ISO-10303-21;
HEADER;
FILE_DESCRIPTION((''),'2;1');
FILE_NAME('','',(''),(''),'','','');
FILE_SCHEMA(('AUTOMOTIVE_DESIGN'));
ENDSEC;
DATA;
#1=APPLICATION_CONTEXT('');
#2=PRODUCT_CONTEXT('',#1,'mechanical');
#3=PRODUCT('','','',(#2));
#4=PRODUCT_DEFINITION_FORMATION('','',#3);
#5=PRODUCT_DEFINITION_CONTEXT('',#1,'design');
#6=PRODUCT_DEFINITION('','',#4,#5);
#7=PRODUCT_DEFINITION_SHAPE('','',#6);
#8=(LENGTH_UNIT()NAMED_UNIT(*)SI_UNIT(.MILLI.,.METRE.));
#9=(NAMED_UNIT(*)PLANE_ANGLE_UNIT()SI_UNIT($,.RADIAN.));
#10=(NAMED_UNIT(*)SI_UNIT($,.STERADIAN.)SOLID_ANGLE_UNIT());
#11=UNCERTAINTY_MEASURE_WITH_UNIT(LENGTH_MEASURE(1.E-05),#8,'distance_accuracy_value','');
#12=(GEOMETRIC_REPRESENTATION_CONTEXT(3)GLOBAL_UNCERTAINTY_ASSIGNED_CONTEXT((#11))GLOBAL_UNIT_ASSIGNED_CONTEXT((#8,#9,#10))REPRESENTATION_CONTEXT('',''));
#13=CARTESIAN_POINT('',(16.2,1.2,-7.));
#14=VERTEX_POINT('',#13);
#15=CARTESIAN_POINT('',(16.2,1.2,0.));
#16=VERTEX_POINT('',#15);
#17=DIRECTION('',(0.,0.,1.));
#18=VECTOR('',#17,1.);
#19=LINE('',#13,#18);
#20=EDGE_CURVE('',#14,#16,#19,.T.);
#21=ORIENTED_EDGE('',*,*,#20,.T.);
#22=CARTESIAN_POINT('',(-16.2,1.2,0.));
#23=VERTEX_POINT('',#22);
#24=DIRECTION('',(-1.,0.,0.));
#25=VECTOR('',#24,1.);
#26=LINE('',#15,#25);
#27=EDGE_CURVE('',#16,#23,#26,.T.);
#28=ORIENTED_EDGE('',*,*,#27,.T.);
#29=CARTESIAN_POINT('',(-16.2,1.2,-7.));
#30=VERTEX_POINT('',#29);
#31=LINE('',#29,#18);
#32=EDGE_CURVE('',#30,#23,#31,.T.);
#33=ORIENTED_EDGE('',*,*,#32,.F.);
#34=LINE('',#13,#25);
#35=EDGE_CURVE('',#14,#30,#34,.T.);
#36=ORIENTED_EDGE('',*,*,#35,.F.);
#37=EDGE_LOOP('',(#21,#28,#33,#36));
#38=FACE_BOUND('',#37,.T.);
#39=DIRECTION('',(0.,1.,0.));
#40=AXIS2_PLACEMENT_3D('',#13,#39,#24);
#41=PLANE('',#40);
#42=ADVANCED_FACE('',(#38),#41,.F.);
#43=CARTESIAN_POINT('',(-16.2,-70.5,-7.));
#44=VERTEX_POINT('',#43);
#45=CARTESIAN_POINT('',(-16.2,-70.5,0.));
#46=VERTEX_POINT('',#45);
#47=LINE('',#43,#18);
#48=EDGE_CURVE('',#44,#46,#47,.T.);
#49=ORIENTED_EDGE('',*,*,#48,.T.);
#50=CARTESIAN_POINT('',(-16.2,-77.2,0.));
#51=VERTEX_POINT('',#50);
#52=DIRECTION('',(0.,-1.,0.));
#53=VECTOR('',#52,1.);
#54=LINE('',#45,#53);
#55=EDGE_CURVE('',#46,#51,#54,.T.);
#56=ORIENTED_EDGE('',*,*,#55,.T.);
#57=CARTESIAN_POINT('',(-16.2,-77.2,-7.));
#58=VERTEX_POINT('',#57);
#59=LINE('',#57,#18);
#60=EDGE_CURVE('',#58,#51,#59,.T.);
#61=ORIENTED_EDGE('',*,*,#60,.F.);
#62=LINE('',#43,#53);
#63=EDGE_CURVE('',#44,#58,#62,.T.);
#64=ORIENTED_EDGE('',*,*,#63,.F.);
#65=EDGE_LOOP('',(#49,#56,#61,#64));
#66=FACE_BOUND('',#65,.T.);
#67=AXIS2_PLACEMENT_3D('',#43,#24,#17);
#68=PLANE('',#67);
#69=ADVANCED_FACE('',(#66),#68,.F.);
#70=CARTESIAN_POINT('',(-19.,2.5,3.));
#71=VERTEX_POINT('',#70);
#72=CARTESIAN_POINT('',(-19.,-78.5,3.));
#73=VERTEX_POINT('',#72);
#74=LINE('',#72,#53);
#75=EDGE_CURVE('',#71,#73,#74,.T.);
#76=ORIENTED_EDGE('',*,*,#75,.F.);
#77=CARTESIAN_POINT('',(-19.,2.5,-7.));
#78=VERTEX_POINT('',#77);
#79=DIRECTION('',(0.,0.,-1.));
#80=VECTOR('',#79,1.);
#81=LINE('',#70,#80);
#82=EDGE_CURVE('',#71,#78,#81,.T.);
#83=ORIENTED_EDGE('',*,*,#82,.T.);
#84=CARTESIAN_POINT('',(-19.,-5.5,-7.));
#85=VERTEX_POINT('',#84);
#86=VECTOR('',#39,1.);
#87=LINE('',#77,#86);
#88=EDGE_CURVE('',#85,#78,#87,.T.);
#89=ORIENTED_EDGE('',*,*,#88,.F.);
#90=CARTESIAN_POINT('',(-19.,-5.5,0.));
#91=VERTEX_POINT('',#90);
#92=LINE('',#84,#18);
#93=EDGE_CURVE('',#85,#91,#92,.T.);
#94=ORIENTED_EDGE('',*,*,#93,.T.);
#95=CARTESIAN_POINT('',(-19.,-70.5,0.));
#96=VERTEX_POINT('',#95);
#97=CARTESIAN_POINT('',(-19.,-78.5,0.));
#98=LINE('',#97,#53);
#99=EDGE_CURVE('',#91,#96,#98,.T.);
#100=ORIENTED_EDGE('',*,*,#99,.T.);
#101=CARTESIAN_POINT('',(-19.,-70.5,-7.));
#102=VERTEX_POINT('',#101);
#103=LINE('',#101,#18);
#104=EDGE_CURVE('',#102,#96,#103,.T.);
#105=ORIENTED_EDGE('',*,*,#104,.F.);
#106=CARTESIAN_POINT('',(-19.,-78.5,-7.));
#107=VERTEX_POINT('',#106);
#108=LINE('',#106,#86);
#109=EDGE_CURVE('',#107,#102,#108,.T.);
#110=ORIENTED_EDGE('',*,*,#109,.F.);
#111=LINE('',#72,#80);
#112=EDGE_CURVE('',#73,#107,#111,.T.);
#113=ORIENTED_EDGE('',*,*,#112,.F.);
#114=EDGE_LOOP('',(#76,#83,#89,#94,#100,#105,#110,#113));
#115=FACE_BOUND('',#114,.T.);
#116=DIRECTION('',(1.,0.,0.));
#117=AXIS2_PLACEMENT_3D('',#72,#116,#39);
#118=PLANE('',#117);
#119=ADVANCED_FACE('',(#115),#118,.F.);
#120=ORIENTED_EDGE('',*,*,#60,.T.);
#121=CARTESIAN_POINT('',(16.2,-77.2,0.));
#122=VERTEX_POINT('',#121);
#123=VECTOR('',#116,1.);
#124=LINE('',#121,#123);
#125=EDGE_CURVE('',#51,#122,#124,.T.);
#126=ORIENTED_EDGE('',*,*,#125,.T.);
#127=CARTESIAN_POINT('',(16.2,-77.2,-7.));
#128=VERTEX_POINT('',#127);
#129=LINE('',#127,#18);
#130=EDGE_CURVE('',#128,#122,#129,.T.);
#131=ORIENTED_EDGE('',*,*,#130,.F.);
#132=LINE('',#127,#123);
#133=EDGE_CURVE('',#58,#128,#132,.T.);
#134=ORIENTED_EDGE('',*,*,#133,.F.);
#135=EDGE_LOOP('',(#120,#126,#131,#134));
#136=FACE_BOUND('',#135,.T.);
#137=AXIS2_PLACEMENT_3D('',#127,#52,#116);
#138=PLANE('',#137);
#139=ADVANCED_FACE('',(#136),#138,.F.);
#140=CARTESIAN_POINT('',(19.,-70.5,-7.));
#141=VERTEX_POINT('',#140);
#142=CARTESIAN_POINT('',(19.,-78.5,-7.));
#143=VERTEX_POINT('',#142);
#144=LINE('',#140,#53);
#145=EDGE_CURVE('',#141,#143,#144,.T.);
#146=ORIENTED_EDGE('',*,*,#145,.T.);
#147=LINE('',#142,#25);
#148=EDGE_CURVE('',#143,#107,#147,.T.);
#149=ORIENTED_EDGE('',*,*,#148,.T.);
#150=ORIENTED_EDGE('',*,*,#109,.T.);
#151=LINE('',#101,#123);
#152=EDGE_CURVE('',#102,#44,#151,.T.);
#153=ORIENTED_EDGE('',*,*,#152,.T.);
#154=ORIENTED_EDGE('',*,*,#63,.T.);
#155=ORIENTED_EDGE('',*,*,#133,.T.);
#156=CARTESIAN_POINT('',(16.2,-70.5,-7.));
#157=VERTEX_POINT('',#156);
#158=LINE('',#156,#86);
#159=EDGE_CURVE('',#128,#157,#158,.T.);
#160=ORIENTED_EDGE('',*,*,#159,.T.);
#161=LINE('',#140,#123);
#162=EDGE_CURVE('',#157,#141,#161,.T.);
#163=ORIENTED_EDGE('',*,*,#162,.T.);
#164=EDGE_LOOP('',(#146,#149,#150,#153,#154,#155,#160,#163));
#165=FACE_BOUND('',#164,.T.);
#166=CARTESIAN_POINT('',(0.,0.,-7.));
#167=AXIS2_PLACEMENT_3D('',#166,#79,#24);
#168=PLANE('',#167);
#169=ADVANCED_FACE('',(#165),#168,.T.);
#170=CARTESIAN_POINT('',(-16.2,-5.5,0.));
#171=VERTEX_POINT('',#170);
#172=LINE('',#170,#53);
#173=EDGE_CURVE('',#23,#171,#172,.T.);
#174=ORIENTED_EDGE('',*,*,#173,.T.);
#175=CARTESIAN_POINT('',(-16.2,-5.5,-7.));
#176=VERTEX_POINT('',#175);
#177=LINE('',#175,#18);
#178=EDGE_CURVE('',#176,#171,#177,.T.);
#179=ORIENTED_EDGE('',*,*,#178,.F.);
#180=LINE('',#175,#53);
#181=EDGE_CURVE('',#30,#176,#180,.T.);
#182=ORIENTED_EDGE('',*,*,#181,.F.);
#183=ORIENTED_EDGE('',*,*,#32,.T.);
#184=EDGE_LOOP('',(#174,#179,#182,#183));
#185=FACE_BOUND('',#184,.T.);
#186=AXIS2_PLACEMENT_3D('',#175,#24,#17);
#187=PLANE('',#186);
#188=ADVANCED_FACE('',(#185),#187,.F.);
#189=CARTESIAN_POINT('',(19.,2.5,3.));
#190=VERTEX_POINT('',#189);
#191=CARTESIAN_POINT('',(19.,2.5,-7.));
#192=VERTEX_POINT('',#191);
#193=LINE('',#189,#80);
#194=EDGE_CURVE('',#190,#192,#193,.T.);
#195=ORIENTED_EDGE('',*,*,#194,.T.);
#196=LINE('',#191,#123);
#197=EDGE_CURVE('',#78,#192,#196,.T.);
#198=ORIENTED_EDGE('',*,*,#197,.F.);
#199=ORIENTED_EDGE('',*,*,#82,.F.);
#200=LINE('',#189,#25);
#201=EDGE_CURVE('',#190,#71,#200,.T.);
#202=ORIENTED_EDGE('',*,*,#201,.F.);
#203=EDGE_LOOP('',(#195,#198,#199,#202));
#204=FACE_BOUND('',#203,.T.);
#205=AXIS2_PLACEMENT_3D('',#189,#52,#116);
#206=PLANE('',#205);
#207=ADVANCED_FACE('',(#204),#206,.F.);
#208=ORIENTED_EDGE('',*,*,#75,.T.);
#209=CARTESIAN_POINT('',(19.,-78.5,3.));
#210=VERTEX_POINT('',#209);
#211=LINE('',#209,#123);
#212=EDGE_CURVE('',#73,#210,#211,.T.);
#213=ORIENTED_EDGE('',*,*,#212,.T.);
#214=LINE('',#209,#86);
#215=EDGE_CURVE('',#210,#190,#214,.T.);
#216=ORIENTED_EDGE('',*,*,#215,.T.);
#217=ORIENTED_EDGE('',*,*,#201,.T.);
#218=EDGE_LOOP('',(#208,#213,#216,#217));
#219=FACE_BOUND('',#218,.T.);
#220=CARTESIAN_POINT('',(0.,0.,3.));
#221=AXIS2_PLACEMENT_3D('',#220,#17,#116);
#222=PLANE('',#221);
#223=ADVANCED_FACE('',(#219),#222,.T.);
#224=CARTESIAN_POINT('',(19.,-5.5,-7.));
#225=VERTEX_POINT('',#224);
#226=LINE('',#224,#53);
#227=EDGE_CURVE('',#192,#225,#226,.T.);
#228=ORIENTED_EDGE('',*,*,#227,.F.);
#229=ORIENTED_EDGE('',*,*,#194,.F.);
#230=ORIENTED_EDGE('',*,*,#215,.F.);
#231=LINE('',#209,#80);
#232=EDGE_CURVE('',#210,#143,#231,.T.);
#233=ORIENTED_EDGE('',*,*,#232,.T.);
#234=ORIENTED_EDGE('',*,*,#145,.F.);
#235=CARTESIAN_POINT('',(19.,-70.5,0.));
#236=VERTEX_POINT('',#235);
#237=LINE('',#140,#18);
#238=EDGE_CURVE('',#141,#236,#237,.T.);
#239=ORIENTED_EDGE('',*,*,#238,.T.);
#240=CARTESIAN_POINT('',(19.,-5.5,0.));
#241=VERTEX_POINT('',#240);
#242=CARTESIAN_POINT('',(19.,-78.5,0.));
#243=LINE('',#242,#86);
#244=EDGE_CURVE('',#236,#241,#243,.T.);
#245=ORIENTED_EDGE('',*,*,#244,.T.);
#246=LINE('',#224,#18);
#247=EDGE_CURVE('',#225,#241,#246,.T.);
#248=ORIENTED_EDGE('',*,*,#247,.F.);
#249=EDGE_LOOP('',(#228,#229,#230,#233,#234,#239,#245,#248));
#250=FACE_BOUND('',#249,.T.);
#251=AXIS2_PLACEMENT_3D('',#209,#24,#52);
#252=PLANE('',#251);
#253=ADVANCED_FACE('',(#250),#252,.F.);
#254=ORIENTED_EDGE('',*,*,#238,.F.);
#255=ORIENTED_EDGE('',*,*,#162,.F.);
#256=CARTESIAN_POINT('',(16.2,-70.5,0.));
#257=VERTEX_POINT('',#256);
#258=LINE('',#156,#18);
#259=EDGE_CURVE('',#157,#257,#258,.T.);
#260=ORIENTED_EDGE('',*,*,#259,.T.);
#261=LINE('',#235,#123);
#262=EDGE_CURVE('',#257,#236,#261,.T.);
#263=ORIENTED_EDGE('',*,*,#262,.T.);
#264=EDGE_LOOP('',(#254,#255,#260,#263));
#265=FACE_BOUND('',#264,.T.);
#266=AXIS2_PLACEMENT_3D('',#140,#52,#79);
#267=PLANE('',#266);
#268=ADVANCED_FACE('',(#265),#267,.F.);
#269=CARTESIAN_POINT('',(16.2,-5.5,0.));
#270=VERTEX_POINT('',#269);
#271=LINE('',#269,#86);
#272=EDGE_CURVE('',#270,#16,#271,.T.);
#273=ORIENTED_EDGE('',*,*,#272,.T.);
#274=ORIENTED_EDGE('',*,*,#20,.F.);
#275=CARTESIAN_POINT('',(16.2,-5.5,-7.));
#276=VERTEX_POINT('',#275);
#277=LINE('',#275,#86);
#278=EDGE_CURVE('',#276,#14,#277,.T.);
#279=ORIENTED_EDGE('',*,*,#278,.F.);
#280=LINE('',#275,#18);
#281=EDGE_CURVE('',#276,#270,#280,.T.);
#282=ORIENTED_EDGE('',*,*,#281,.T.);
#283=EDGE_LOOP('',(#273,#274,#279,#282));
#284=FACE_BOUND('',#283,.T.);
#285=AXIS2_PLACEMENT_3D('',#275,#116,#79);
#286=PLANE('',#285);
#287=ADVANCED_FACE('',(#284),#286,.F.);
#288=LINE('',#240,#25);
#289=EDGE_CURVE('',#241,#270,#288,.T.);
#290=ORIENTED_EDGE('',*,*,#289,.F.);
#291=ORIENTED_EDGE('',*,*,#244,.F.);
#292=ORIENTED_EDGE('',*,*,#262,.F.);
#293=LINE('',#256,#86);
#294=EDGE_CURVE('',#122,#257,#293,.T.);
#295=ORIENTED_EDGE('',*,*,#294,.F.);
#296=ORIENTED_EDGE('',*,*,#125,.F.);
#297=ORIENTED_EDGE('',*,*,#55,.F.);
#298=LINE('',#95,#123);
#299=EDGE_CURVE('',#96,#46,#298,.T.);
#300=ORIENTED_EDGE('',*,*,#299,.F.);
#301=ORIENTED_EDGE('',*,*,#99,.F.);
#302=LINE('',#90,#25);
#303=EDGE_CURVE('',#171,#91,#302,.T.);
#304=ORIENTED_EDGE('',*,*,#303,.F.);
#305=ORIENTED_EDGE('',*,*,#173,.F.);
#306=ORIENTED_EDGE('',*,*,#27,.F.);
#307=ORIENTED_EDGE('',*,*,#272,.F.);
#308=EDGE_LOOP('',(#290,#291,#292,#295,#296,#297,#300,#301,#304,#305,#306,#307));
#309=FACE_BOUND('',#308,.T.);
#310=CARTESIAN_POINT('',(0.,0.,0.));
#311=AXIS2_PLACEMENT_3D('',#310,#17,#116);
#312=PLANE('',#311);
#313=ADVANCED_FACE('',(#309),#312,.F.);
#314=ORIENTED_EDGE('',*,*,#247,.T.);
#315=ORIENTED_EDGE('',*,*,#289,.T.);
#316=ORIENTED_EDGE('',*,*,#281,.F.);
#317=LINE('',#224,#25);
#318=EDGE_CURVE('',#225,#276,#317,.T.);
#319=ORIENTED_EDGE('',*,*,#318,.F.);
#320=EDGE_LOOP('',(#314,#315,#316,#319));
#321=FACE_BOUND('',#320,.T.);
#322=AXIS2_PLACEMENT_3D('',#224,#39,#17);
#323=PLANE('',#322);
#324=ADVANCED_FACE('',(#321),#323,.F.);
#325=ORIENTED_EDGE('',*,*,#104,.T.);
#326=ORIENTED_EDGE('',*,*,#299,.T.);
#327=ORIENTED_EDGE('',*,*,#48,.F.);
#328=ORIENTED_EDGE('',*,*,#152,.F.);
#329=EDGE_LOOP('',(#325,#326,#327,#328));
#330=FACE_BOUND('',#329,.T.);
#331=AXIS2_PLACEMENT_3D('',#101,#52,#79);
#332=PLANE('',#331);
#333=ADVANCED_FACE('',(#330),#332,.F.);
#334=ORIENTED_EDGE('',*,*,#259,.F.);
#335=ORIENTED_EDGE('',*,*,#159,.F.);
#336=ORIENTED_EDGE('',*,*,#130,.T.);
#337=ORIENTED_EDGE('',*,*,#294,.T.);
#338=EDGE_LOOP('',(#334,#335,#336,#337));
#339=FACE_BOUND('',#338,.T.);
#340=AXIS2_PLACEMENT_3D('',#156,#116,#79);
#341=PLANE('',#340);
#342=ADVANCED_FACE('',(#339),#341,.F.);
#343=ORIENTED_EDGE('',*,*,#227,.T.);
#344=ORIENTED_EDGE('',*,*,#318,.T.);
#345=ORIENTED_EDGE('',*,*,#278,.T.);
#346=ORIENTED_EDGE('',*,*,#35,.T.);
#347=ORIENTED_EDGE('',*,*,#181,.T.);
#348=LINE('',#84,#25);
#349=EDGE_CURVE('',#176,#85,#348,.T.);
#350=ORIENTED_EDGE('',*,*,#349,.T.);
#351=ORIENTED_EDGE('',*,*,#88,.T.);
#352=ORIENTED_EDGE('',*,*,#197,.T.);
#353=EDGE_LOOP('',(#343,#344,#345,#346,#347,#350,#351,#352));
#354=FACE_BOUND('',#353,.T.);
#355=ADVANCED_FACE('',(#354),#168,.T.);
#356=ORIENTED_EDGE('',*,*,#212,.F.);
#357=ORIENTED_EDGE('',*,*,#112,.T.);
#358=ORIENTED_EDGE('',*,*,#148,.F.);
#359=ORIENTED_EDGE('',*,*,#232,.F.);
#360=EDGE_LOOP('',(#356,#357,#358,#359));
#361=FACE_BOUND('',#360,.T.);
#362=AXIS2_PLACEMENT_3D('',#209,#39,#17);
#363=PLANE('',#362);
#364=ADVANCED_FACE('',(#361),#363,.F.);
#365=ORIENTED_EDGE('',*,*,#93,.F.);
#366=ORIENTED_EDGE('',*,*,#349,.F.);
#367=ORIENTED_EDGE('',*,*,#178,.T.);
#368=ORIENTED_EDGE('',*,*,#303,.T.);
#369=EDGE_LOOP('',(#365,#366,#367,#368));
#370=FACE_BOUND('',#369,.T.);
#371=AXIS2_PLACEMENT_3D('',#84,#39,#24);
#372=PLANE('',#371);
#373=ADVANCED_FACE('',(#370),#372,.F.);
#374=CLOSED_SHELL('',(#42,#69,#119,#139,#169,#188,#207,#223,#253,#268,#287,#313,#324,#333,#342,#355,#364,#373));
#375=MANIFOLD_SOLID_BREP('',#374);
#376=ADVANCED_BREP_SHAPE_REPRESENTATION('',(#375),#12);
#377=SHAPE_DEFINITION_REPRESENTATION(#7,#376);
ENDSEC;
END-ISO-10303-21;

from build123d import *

# Parameters (mm, degrees)
SKETCH1_W           = 38
SKETCH1_H           = 81
BOSS_EXTRUDE1_DEPTH = 3
BOSS_EXTRUDE2_DEPTH = 7


with BuildPart() as part:
    # Sketch1 → Boss-Extrude1 (new body)
    with BuildSketch(Plane.XY):
        with Locations((0, -38)):
            Rectangle(SKETCH1_W, SKETCH1_H)
    extrude(amount=BOSS_EXTRUDE1_DEPTH)

    # Sketch2 → Boss-Extrude2 (add)
    with BuildSketch(Plane(origin=(0, 0, 0), x_dir=(-1, 0, 0), z_dir=(0, 0, -1))):
        Polygon((-19, -5.5), (-19, 2.5), (19, 2.5), (19, -5.5), (16.2, -5.5), (16.2, 1.2), (-16.2, 1.2), (-16.2, -5.5), align=None)
        Polygon((-16.2, -77.2), (16.2, -77.2), (16.2, -70.5), (19, -70.5), (19, -78.5), (-19, -78.5), (-19, -70.5), (-16.2, -70.5), align=None)
    extrude(amount=BOSS_EXTRUDE2_DEPTH)


solid = part.part
